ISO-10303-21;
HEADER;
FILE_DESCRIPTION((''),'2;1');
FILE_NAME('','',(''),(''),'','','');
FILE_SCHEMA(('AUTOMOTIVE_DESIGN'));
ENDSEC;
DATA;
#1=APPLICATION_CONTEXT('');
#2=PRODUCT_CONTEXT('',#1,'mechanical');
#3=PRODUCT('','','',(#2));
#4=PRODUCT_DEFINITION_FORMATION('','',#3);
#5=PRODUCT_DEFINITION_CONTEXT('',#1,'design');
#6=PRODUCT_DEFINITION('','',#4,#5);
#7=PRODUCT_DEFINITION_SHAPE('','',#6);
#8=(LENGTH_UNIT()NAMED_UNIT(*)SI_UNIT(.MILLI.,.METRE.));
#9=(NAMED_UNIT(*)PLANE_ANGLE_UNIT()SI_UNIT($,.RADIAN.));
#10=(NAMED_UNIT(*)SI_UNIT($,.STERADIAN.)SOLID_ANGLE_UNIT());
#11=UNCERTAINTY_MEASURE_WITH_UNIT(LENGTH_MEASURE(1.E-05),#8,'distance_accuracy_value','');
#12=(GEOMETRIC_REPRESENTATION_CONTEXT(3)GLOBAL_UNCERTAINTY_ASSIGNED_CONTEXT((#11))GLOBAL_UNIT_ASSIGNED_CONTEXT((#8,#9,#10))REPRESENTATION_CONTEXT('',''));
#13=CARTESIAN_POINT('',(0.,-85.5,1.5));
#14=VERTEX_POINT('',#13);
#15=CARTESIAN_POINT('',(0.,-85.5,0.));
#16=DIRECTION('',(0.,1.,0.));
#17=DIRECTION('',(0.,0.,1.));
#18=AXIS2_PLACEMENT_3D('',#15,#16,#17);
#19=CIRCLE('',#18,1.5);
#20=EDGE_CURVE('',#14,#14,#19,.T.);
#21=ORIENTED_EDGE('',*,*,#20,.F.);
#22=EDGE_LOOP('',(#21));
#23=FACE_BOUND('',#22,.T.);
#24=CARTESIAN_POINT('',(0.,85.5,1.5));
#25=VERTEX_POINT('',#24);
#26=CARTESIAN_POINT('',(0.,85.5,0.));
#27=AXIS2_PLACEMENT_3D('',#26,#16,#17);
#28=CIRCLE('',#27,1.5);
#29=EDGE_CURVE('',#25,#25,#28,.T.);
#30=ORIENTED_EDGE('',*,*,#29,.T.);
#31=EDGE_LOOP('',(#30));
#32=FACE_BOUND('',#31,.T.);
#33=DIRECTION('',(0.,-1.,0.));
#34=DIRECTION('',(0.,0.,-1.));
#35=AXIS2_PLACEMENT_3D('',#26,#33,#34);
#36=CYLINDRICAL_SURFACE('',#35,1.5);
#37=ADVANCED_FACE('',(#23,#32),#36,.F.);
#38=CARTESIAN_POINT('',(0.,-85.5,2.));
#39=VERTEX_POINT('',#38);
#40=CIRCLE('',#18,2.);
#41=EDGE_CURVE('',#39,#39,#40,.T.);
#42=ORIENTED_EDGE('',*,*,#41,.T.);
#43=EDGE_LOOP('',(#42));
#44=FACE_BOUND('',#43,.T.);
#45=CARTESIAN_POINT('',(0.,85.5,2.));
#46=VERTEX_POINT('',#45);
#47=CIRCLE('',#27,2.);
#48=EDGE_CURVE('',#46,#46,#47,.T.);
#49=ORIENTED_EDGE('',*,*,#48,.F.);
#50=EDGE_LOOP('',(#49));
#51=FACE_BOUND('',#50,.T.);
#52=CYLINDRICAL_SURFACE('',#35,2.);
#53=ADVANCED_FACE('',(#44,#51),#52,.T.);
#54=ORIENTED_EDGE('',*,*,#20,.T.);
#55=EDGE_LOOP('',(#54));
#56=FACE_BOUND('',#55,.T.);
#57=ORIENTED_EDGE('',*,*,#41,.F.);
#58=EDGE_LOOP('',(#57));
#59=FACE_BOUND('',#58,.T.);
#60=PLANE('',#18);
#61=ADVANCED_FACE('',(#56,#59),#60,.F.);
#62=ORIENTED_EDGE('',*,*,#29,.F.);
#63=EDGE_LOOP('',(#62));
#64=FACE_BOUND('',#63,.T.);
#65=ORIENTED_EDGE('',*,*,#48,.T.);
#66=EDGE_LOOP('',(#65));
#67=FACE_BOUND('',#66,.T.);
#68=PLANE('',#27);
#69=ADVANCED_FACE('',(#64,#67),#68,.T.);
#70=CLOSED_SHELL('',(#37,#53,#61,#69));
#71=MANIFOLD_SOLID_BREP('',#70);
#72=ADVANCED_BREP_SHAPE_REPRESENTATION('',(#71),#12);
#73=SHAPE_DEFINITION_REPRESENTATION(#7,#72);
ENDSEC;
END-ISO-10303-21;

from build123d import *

# Parameters (mm, degrees)
SKETCH1_R           = 2
SKETCH1_R_2         = 1.5
BOSS_EXTRUDE1_DEPTH = 85.5


with BuildPart() as part:
    # Sketch1 → Boss-Extrude1 (new body, symmetric)
    with BuildSketch(Plane(origin=(0, 0, 0), x_dir=(1, 0, 0), z_dir=(0, 1, 0))):
        Circle(SKETCH1_R)
        Circle(SKETCH1_R_2, mode=Mode.SUBTRACT)
    extrude(amount=BOSS_EXTRUDE1_DEPTH, both=True)


solid = part.part
